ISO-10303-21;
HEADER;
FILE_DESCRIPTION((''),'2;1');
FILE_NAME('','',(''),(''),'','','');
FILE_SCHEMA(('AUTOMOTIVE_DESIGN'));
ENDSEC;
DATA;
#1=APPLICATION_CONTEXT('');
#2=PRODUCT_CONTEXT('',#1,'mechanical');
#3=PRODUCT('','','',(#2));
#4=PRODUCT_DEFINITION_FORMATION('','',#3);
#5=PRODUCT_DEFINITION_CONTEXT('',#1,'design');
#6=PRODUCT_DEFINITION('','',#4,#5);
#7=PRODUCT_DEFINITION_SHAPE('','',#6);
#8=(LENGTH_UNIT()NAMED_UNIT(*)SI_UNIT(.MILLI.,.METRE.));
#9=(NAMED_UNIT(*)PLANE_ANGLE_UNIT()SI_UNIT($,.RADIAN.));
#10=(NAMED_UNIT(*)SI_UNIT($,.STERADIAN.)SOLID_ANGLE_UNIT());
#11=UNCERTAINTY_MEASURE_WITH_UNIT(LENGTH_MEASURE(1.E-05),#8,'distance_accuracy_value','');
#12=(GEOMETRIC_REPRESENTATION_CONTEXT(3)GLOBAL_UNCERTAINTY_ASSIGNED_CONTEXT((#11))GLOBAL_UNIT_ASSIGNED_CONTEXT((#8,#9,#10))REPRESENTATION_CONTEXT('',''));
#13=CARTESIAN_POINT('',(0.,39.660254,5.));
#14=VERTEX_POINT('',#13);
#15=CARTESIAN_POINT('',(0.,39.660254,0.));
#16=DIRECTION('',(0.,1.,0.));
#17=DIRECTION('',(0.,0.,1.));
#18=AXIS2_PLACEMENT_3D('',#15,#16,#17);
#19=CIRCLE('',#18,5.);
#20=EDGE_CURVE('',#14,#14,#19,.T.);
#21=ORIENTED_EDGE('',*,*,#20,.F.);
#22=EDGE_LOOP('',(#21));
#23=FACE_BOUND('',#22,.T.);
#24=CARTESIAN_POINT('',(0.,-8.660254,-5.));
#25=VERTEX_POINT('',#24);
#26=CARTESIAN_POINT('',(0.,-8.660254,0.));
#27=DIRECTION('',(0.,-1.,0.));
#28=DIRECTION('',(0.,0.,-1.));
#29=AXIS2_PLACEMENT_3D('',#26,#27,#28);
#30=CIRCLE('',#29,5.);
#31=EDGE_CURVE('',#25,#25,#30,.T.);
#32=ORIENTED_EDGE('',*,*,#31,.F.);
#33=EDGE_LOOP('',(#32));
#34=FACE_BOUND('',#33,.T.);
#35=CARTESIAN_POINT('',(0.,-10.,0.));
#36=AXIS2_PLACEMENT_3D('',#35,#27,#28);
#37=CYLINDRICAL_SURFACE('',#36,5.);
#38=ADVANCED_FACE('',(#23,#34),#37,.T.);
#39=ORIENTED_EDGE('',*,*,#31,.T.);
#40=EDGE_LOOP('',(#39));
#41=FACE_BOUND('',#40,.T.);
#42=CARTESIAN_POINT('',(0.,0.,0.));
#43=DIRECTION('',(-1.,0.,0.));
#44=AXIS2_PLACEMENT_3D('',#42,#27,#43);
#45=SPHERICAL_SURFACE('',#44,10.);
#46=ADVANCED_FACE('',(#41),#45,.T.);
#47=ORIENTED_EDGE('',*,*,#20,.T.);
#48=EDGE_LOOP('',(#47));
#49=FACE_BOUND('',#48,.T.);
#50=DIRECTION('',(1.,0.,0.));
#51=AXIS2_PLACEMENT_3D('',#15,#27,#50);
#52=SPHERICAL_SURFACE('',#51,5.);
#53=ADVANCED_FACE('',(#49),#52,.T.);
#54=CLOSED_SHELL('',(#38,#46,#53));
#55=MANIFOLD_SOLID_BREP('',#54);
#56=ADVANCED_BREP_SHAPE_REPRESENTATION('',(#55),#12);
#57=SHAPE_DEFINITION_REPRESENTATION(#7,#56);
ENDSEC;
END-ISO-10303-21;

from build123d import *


with BuildPart() as part:
    # Esquisse2 → Base-Révolution (revolve)
    with BuildSketch(Plane.XY, mode=Mode.PRIVATE) as base_r_volution_sk:
        with BuildLine():
            Line((0, -10), (0, 41))
            ThreePointArc((0, 41), (2.588190451, 40.659258263), (5, 39.660254038))
            Line((5, 39.660254038), (5, -8.660254038))
            ThreePointArc((5, -8.660254038), (2.588190451, -9.659258263), (0, -10))
        make_face()
    revolve(base_r_volution_sk.sketch.rotate(Axis((0, -10, 0), (0, 1, 0)), 90), axis=Axis((0, -10, 0), (0, 1, 0)))

    # Esquisse3 → Révolution1 (revolve)
    with BuildSketch(Plane.XY):
        with BuildLine():
            Line((0, 34.660254038), (0, 44.660254038))
            ThreePointArc((0, 44.660254038), (5, 39.660254038), (0, 34.660254038))
        make_face()
    revolve(axis=Axis((0, -10, 0), (0, 1, 0)))


solid = part.part
